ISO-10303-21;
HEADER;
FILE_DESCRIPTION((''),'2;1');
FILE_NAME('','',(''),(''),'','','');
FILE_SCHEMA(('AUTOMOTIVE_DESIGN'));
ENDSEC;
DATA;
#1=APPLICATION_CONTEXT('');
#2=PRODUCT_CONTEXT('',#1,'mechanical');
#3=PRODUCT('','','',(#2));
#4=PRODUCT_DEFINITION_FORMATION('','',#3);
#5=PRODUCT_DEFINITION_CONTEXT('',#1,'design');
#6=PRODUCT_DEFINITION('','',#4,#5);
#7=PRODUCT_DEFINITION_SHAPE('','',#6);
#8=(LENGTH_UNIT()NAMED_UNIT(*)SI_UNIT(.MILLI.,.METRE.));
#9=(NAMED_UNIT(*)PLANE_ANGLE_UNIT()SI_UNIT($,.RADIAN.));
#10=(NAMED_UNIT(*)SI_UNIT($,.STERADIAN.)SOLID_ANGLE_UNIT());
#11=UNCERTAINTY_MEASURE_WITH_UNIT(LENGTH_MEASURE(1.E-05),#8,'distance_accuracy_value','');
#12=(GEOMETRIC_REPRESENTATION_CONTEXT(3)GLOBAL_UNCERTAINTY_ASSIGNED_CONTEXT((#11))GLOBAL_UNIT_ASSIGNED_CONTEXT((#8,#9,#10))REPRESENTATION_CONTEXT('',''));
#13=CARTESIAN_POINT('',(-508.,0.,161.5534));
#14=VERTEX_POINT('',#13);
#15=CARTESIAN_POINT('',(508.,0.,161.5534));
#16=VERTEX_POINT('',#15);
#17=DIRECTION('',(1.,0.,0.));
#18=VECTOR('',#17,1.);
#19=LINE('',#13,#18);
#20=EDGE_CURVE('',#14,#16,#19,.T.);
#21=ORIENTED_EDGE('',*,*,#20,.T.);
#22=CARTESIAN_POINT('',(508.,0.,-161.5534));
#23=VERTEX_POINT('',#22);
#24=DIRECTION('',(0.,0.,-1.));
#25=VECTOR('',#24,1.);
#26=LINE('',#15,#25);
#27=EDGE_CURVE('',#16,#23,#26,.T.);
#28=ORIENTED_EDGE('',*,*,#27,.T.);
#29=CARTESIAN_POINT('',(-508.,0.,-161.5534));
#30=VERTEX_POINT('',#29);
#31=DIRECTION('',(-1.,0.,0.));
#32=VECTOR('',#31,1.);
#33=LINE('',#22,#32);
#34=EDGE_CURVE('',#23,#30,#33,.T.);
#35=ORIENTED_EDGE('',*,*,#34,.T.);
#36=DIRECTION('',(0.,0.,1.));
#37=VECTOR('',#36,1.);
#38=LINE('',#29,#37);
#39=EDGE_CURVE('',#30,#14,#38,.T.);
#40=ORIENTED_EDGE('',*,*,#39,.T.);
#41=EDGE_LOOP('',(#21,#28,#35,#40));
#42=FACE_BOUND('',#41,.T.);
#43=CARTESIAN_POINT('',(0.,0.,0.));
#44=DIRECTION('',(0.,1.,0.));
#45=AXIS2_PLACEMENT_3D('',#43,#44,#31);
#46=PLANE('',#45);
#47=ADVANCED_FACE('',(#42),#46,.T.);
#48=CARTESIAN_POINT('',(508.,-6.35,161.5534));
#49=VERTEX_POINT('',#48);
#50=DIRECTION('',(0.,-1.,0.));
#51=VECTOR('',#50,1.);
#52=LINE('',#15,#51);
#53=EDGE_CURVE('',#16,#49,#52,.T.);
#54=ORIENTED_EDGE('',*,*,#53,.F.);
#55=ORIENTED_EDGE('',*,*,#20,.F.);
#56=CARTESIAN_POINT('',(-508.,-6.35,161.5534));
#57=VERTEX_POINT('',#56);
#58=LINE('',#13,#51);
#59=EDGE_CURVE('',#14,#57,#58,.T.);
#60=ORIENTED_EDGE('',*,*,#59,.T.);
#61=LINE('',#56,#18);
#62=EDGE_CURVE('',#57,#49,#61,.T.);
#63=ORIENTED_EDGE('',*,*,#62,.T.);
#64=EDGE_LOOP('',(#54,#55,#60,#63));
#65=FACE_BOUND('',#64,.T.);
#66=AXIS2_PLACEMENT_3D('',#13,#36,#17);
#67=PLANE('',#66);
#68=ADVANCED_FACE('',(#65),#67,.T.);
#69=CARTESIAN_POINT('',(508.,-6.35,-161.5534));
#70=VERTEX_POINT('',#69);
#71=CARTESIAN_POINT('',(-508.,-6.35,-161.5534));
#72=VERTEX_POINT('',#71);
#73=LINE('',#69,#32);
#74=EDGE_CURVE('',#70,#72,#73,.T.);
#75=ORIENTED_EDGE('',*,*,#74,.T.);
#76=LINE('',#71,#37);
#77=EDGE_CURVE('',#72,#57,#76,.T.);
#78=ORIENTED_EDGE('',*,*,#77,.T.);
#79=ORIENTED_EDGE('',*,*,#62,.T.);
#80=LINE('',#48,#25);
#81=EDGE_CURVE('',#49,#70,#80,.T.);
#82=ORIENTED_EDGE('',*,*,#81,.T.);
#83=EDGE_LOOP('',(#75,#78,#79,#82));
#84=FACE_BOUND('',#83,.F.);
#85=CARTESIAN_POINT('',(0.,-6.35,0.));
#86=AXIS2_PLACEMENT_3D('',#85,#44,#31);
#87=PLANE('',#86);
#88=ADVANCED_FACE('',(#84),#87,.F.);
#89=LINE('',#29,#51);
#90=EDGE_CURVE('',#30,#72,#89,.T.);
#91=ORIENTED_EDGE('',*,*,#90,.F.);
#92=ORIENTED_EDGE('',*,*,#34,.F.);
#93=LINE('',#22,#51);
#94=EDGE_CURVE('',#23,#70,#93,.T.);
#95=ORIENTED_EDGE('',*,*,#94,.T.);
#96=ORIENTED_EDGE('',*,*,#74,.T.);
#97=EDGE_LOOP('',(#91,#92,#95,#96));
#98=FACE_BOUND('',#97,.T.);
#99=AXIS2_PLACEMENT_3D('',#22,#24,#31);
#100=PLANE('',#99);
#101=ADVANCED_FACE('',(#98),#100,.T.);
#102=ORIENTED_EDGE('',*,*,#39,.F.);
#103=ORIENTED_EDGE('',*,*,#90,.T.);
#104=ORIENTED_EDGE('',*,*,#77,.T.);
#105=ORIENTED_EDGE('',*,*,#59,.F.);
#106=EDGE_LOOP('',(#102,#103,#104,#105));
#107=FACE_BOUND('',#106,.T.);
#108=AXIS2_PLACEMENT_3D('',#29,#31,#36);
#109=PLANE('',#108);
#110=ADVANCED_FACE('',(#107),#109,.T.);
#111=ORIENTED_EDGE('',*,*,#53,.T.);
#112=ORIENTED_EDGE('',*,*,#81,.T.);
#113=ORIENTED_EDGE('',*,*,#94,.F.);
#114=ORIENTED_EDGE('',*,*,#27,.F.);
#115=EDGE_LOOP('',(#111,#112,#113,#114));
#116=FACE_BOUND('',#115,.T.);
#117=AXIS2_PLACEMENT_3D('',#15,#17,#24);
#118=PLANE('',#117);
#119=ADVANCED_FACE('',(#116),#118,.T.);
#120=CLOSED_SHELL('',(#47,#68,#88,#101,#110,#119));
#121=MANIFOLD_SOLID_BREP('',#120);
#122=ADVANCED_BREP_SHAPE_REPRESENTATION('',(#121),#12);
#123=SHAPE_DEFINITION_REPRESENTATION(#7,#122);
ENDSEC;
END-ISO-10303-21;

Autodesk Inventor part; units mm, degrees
ref_plane "YZ Plane" through (0, 0, 0) normal (1, 0, 0) x (0, 1, 0)
ref_plane "XZ Plane" through (0, 0, 0) normal (0, 1, 0) x (-1, 0, 0)
ref_plane "XY Plane" through (0, 0, 0) normal (0, 0, 1) x (1, 0, 0)
sketch "Sketch1" plane through (0, 0, 0) normal (0, 1, 0) x (-1, 0, 0)
  line L0 (508, 161.5534) -> (-508, 161.5534)
  line L1 (-508, 161.5534) -> (-508, -161.5534)
  line L2 (-508, -161.5534) -> (508, -161.5534)
  line L3 (508, -161.5534) -> (508, 161.5534)
  line L4 (508, 161.5534) -> (-508, -161.5534) construction
  line L5 (-508, 161.5534) -> (508, -161.5534) construction
  point P0 (0, 0)
  dimension "d0" = 1016
  dimension "d1" = 323.1067
extrude "Extrusion1" add sketch "Sketch1" against normal blind 6.35
equation "\"d0\" = catapultBaseWidth"
equation "\"d2\" = catapultBaseDepth"
equation "\"catapultBaseWidth\" = 1016"
equation "\"catapultBaseLength\" = 635"
equation "\"catapultBaseDepth\" = 6.35"
properties part number "CatapultBase" material "Aluminum 6061"
